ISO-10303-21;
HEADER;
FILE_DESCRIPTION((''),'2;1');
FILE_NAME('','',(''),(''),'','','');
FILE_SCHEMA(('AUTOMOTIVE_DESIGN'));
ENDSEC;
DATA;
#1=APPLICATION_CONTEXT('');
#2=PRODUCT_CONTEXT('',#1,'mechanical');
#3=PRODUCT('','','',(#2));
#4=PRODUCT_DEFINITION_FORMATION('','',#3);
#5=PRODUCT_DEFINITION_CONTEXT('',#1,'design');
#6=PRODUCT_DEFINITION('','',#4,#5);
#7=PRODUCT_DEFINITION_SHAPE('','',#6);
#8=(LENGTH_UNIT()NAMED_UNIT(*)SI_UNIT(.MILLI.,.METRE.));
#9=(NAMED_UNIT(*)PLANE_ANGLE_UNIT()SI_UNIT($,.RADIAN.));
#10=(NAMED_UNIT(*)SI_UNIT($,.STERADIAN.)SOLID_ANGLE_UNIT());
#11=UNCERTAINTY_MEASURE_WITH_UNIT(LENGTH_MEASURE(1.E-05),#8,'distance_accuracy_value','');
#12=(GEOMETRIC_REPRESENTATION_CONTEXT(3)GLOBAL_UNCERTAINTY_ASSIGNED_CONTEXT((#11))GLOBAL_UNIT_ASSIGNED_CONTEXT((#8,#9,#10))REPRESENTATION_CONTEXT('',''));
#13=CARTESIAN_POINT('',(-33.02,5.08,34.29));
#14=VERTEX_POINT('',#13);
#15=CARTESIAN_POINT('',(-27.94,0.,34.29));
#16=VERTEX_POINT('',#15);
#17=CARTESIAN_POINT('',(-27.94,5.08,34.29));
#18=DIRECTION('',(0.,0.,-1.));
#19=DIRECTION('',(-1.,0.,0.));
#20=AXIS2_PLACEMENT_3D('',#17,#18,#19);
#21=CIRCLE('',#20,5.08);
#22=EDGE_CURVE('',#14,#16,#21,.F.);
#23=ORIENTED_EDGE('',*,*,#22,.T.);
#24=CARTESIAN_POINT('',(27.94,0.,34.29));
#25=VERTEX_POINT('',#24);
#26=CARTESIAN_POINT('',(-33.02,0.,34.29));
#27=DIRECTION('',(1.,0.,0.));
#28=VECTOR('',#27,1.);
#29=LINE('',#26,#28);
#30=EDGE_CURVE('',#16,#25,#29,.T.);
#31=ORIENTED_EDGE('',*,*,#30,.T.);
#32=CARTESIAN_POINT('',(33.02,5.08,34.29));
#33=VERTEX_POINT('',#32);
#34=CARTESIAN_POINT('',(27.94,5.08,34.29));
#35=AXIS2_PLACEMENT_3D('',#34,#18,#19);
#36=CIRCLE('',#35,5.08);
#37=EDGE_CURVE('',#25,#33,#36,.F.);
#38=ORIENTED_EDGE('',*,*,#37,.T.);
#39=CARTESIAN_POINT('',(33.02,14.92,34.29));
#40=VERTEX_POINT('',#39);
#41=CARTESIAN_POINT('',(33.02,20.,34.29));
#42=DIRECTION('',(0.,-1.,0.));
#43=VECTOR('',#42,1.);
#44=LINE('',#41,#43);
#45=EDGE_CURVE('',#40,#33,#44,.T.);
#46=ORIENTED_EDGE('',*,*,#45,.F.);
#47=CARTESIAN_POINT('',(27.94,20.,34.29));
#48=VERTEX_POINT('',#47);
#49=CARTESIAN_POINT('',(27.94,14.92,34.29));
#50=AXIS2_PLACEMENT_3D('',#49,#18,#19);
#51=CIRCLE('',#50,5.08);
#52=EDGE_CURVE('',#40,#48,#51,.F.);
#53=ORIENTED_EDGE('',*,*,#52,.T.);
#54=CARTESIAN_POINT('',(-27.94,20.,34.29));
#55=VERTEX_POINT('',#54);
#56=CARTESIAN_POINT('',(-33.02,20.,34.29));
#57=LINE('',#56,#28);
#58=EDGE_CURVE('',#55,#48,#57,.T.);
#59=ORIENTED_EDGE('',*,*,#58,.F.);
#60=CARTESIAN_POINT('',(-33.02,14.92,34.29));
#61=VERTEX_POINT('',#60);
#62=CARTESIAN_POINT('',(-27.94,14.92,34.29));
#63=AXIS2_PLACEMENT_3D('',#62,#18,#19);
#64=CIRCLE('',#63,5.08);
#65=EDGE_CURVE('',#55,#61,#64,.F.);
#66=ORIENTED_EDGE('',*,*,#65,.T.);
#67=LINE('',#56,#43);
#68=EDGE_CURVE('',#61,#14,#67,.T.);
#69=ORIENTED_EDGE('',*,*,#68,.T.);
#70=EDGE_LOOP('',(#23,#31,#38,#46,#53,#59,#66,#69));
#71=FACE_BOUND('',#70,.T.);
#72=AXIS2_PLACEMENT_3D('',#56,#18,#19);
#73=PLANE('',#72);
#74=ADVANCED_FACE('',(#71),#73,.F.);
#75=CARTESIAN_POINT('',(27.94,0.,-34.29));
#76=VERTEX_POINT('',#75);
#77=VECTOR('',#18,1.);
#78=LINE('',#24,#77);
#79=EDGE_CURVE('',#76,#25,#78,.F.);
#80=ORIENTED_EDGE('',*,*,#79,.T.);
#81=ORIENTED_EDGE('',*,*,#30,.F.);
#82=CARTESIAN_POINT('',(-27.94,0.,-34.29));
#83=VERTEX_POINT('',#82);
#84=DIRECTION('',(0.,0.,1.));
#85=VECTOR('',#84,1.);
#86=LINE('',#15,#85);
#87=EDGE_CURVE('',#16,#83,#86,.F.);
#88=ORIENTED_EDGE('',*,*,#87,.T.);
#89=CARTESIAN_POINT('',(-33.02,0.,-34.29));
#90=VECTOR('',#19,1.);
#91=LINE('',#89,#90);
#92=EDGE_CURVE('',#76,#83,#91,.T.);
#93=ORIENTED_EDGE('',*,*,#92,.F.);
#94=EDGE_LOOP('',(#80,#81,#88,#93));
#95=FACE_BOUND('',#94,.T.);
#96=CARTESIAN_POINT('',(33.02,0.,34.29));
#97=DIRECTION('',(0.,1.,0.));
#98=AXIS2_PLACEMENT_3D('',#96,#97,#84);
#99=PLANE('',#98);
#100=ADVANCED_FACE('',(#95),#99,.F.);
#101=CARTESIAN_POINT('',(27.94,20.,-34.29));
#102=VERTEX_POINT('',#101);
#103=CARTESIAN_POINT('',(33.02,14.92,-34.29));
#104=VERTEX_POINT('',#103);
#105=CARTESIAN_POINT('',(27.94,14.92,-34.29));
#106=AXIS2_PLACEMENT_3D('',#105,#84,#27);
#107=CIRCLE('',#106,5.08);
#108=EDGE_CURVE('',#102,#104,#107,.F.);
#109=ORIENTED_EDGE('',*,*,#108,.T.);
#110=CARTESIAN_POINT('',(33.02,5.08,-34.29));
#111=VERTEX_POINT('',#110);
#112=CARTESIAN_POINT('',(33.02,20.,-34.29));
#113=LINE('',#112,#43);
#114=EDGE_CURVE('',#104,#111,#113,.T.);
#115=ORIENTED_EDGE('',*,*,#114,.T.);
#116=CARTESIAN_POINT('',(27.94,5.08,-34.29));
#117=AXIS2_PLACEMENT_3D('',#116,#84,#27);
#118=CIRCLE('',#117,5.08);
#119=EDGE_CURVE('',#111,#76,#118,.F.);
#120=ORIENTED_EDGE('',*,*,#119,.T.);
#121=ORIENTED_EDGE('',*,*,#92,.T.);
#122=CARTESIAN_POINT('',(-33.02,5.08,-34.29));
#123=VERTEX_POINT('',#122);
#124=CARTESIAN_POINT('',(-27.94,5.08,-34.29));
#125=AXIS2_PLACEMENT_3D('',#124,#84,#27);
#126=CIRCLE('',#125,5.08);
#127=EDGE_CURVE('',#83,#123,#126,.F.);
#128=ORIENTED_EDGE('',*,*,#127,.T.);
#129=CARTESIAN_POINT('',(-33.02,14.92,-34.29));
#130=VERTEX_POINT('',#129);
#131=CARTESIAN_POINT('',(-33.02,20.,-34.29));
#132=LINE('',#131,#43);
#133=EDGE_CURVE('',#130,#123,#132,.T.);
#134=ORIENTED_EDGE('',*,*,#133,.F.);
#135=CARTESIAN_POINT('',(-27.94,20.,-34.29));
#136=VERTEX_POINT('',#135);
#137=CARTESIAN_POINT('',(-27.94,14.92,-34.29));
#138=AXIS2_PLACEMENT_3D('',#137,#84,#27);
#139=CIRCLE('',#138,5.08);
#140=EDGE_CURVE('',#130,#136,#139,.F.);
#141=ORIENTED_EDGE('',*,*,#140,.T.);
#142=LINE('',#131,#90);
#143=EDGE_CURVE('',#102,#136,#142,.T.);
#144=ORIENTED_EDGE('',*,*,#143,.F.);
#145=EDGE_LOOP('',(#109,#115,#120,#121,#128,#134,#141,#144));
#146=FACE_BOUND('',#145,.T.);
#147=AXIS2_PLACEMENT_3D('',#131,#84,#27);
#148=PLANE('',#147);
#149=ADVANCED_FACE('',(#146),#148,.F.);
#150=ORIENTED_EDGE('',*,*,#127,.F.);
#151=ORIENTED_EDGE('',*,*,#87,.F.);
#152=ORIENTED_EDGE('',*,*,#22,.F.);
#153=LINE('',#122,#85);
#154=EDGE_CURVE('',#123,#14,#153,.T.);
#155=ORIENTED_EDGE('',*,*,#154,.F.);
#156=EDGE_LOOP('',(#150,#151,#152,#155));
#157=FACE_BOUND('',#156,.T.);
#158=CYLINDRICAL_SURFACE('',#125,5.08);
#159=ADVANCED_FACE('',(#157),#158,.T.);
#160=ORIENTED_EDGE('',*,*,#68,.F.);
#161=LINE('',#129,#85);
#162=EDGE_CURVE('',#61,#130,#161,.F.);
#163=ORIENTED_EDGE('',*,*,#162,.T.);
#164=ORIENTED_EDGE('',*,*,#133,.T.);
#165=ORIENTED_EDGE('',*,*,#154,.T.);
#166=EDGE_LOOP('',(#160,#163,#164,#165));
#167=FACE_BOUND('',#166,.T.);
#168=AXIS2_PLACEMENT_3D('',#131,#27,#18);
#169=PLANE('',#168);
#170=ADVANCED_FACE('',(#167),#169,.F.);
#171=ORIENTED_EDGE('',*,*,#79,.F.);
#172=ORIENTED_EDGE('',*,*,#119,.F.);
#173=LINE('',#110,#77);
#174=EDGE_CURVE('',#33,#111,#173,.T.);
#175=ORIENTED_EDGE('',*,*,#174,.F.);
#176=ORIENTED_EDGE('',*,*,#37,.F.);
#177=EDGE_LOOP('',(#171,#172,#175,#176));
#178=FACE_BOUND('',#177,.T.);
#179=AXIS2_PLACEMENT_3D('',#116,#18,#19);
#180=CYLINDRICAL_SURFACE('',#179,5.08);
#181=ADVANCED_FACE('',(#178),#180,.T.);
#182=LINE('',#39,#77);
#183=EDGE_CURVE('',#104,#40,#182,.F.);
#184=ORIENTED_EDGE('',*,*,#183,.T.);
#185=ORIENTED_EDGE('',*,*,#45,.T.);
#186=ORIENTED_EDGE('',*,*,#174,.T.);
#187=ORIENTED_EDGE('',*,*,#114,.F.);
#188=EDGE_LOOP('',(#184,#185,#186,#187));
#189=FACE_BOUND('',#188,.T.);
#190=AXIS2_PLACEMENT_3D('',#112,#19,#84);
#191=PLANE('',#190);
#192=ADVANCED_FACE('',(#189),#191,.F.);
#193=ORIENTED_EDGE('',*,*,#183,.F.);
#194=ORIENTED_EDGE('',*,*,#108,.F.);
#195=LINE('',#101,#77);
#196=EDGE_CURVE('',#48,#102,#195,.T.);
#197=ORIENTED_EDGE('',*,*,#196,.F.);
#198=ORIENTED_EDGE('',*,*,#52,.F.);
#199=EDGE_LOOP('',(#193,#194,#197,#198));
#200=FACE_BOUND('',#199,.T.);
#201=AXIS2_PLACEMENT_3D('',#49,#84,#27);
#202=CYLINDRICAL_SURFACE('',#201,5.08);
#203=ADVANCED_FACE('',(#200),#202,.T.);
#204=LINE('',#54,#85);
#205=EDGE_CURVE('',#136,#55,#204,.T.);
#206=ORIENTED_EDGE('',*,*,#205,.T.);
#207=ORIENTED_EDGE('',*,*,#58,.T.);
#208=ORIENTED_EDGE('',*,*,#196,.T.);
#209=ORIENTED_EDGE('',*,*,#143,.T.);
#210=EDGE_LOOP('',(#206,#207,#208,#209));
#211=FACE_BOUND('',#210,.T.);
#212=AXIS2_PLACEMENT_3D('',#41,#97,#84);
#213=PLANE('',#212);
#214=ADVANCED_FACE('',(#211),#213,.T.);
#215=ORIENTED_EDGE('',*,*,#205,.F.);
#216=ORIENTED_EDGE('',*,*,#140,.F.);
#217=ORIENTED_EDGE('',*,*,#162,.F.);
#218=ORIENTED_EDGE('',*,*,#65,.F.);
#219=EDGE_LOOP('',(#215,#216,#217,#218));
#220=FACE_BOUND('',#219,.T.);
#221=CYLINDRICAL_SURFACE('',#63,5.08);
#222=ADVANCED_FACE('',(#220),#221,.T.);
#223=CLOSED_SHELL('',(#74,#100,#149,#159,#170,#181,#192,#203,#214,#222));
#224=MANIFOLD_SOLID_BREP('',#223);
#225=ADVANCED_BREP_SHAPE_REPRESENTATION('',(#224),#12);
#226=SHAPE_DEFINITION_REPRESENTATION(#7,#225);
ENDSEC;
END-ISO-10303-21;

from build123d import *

# Parameters (mm, degrees)
SKETCH1_W      = 66.04
SKETCH1_H      = 68.58
EXTRUDE1_DEPTH = 20
FILLET1_R      = 5.08


with BuildPart() as part:
    # Sketch1 → Extrude1 (new body)
    with BuildSketch(Plane(origin=(0, 0, 0), x_dir=(1, 0, 0), z_dir=(0, 1, 0))):
        Rectangle(SKETCH1_W, SKETCH1_H)
    extrude(amount=EXTRUDE1_DEPTH)

    # Fillet1
    fillet1_edges = [part.edges().sort_by_distance(p)[0] for p in [
        (-33.02, 20, 0),
        (33.02, 20, 0),
        (-33.02, 0, 0),
        (33.02, 0, 0),
    ]]
    fillet(fillet1_edges, radius=FILLET1_R)


solid = part.part
